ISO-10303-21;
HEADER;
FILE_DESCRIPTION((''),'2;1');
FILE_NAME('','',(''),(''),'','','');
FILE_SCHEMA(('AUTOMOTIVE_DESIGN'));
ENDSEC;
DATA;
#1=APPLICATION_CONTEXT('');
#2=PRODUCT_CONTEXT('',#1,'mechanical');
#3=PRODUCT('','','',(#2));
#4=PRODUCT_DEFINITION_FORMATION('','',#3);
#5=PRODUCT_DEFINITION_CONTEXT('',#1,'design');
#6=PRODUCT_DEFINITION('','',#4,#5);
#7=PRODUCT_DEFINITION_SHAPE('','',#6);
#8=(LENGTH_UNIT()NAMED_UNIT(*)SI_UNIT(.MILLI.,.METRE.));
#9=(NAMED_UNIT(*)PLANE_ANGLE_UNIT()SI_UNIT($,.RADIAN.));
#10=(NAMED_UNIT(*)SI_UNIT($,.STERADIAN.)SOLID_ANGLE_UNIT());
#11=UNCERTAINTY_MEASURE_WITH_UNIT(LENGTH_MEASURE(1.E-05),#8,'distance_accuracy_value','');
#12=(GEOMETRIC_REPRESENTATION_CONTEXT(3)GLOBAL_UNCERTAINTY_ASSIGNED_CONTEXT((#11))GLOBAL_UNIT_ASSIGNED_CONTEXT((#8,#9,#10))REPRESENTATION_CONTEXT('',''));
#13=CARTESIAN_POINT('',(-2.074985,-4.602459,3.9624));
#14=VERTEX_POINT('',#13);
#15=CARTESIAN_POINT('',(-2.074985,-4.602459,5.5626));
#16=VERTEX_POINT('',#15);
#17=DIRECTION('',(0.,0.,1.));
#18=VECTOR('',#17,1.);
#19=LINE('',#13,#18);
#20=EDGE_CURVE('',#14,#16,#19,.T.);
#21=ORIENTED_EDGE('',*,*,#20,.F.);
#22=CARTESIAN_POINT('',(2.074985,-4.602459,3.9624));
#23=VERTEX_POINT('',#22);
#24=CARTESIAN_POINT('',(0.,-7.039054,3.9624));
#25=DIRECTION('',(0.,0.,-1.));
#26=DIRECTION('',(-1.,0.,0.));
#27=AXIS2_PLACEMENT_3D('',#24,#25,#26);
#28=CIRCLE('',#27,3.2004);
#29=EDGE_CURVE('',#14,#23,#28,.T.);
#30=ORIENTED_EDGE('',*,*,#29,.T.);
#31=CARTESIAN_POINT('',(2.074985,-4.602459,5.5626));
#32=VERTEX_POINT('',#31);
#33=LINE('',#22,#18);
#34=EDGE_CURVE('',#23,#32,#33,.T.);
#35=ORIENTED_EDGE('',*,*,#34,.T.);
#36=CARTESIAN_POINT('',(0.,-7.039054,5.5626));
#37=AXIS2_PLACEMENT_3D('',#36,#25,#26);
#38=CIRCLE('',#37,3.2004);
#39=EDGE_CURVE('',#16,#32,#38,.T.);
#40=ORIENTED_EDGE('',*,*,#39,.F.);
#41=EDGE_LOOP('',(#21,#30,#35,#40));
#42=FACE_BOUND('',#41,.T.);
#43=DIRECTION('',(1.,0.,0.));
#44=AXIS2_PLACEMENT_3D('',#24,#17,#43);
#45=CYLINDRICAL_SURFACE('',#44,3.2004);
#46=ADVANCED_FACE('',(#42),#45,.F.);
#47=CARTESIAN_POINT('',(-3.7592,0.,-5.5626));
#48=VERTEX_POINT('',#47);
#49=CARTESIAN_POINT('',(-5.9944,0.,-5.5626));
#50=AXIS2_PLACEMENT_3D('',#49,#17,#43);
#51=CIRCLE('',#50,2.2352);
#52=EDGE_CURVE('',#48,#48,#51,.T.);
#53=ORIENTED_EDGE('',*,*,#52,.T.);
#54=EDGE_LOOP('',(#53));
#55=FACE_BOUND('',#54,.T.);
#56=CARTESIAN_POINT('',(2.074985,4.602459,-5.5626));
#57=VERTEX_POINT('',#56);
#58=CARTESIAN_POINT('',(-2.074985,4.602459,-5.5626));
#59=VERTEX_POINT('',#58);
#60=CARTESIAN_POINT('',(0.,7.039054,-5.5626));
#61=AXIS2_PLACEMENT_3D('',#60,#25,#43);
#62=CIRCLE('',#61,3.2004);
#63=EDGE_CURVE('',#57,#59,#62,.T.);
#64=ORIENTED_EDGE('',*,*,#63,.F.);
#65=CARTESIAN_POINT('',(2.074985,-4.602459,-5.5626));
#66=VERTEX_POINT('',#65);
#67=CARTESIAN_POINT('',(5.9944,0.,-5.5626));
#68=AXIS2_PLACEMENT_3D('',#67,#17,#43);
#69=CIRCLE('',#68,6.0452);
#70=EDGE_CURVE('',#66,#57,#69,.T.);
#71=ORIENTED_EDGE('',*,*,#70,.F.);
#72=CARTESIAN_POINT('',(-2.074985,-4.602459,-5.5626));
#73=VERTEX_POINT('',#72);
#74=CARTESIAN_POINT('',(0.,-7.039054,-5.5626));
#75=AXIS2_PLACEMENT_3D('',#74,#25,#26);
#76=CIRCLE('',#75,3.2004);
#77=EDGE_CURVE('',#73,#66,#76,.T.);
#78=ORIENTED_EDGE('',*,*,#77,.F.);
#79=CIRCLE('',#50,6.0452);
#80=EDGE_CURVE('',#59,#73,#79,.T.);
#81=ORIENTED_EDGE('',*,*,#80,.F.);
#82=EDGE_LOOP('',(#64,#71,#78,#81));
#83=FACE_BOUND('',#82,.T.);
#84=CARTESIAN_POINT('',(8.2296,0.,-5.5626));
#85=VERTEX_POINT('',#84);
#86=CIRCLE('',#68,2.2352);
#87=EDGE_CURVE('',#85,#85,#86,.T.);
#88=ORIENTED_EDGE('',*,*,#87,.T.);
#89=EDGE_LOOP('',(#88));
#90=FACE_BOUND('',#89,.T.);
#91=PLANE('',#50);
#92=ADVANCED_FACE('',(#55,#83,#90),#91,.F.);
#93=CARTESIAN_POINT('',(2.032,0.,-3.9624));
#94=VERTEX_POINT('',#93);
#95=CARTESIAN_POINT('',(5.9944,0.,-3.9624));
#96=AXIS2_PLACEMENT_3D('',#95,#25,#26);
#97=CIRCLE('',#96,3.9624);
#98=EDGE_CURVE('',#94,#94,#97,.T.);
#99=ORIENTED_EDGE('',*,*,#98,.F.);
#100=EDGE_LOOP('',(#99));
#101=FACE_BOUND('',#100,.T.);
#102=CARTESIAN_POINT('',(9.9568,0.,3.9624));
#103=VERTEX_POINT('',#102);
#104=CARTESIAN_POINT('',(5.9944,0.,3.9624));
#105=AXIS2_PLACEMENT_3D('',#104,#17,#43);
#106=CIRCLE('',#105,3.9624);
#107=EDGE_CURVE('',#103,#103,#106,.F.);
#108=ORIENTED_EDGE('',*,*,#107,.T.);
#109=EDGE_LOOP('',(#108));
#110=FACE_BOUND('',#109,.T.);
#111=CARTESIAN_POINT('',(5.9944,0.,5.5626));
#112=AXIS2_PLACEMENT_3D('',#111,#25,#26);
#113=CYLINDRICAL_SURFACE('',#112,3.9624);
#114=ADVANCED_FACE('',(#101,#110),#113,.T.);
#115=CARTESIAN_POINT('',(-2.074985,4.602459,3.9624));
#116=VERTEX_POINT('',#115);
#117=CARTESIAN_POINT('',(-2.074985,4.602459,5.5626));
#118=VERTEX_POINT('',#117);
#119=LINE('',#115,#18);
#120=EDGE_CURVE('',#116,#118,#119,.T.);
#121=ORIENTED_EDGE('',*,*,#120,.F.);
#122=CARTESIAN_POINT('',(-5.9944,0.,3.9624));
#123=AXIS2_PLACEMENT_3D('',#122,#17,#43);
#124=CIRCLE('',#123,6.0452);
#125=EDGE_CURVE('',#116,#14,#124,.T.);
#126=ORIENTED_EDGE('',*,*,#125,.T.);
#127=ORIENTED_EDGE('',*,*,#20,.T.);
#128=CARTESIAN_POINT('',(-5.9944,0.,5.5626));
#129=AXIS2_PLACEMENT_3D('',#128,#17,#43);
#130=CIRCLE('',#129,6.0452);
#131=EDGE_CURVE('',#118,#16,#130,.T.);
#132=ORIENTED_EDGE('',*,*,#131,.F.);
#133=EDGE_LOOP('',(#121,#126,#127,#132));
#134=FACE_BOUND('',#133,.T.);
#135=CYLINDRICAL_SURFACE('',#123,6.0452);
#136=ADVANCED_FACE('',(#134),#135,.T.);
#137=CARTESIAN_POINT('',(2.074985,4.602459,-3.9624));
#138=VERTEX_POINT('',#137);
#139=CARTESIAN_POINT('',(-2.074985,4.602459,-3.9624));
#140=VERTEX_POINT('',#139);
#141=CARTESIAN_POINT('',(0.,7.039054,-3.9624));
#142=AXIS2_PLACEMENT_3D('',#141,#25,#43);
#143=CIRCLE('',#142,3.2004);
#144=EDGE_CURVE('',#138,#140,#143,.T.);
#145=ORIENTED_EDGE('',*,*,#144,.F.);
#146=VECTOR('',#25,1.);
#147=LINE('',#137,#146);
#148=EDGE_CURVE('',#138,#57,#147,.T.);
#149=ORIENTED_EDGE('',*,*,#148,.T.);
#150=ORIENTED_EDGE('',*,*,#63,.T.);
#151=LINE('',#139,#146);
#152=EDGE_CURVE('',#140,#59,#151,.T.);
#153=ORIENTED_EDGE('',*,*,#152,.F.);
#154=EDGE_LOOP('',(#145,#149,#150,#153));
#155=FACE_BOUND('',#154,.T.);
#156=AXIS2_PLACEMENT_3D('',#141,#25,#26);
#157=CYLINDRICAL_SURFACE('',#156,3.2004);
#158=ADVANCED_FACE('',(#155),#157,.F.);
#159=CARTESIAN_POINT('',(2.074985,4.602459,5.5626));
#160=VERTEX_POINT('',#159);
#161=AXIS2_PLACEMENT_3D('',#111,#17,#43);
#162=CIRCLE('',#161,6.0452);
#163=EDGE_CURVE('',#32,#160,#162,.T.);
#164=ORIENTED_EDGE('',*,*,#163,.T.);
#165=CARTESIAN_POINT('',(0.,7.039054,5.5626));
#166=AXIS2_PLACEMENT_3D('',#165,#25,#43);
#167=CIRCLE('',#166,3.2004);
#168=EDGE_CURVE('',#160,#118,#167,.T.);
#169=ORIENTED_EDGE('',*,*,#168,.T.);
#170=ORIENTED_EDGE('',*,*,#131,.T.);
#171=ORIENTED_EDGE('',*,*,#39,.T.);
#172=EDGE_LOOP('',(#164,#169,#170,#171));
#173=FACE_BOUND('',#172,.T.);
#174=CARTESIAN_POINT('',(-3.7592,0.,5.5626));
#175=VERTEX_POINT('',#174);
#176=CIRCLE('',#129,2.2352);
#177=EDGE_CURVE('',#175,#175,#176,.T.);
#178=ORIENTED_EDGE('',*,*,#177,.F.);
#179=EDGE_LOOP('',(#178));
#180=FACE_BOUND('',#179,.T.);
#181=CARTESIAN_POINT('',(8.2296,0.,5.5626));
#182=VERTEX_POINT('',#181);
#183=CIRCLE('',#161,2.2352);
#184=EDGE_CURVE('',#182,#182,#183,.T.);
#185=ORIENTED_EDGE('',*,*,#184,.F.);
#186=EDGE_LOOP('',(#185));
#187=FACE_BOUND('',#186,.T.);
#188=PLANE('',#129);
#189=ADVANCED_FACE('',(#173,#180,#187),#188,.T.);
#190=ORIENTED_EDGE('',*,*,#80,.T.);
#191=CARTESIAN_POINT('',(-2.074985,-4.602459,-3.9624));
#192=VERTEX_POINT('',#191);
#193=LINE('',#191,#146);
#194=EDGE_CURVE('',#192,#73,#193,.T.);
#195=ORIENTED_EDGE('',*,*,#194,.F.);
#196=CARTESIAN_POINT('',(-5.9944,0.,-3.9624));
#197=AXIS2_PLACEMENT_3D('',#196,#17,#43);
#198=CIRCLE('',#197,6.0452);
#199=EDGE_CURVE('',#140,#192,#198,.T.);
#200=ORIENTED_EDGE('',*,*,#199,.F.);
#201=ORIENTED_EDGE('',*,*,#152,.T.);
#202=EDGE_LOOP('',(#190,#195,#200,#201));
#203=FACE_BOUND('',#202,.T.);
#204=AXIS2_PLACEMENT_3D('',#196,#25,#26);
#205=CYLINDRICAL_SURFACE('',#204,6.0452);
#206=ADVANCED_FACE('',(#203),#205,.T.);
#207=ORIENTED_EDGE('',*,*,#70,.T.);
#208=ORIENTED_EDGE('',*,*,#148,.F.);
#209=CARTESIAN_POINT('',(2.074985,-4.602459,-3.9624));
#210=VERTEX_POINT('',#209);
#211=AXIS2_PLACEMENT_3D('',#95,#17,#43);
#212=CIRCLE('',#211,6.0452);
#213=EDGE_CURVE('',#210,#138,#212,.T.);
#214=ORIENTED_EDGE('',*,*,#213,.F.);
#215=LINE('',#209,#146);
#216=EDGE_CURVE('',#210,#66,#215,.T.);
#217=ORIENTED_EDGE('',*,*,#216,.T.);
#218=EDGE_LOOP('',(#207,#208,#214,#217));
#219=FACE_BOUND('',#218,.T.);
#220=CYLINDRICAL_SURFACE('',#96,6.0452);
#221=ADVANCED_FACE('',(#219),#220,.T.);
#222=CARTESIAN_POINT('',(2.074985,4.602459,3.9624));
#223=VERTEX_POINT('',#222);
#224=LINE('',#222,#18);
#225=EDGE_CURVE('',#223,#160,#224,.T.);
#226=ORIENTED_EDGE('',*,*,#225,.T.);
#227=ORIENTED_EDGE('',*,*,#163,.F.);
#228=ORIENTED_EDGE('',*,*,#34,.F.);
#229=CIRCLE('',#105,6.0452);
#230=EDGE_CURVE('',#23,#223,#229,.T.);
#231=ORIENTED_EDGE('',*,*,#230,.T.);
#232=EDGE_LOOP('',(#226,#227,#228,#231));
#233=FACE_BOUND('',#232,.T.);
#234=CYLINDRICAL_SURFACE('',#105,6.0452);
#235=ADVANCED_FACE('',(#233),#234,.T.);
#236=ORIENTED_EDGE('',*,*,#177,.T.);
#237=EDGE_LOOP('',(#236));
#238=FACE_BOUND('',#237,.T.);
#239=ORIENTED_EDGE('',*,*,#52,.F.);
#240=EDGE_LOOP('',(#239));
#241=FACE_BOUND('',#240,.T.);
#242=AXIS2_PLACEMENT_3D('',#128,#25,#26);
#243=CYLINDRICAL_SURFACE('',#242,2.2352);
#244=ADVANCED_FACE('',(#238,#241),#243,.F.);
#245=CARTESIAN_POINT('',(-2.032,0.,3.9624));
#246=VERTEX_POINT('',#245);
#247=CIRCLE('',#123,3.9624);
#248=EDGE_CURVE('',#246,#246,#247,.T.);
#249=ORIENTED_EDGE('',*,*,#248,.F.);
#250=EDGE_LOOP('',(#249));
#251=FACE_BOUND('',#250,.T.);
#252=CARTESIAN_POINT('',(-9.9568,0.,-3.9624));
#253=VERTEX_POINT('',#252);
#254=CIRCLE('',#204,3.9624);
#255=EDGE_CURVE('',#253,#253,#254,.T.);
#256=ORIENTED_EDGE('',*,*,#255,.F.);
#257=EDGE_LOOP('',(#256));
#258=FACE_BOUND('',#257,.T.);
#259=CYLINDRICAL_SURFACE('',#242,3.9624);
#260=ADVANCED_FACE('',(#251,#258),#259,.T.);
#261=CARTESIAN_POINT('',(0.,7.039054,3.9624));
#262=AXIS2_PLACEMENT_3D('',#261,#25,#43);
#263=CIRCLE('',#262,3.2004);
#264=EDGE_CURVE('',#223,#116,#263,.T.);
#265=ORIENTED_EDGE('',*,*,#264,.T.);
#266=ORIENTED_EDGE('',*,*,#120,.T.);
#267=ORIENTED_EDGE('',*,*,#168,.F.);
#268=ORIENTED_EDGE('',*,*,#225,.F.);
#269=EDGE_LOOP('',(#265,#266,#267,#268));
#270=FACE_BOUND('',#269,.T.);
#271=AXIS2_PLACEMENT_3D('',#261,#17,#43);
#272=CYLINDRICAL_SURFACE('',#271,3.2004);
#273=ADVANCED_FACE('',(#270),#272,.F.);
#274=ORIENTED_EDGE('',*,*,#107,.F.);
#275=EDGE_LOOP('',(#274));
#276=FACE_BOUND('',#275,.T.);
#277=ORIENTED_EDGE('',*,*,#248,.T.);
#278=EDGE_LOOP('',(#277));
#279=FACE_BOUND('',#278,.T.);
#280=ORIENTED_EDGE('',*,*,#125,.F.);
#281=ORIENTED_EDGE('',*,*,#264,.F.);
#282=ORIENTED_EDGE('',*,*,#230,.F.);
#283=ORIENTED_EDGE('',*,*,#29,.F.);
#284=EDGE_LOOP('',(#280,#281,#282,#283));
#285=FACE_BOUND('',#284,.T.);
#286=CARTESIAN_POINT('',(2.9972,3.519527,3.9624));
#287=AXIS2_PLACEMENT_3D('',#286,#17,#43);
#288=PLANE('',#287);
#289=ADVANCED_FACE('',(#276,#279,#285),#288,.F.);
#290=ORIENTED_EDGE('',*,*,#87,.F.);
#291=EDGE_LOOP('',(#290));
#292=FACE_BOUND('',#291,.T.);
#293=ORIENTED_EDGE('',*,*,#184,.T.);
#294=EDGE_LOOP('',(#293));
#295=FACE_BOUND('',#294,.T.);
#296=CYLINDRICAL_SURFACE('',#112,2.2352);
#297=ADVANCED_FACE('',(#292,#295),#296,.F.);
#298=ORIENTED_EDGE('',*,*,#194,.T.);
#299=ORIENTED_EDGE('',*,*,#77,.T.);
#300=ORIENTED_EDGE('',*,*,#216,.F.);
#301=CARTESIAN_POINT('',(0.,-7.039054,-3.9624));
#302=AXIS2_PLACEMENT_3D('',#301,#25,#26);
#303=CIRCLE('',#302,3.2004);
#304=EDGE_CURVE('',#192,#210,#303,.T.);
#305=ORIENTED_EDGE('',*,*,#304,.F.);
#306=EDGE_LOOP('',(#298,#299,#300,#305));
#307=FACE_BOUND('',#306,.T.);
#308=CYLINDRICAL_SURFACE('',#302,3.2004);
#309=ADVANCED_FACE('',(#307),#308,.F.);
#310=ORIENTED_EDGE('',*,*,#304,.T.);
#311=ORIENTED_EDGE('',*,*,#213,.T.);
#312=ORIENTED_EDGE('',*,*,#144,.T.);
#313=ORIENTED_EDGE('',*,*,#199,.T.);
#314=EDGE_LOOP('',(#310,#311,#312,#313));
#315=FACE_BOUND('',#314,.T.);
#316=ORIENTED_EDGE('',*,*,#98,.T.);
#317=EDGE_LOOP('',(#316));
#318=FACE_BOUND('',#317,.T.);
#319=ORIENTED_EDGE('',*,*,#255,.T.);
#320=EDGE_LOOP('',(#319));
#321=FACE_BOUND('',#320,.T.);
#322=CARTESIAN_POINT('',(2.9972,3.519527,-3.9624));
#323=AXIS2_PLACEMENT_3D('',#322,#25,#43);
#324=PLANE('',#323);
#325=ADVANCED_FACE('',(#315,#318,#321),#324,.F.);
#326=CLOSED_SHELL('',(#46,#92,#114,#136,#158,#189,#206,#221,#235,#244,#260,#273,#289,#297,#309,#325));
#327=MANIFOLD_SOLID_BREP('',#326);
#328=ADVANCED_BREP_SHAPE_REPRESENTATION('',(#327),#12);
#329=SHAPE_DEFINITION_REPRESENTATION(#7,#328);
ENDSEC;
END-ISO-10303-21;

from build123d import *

# Parameters (mm, degrees)
SKETCH1_R             = 3.9624
SKETCH1_R_2           = 2.2352
BOSS_EXTRUDE1_DEPTH   = 5.5626
BOSS_EXTRUDE1_2_DEPTH = 5.5626
SKETCH2_R             = 3.9624
BOSS_EXTRUDE2_DEPTH   = 1.6002


with BuildPart() as part:
    # Sketch1 → Boss-Extrude1 (new body, symmetric)
    with BuildSketch(Plane.XY):
        with Locations((-5.9944, 0)):
            Circle(SKETCH1_R)
        with Locations((-5.9944, 0)):
            Circle(SKETCH1_R_2, mode=Mode.SUBTRACT)
    extrude(amount=BOSS_EXTRUDE1_DEPTH, both=True)



with BuildPart() as body_2:
    # Sketch1 → Boss-Extrude1 2 (new body, symmetric)
    with BuildSketch(Plane.XY):
        with Locations((5.9944, 0)):
            Circle(SKETCH1_R)
        with Locations((5.9944, 0)):
            Circle(SKETCH1_R_2, mode=Mode.SUBTRACT)
    extrude(amount=BOSS_EXTRUDE1_2_DEPTH, both=True)


with BuildPart() as part_1:
    add(part.part)

    add(body_2.part)  # Boss-Extrude2 merges body 2
    # Sketch2 → Boss-Extrude2 (add)
    with BuildSketch(Plane.XY.offset(5.5626)):
        with BuildLine():
            ThreePointArc((-2.074984615, 4.6024587), (-12.0396, 0), (-2.074984615, -4.6024587))
            ThreePointArc((-2.074984615, -4.6024587), (0, -3.838654482), (2.074984615, -4.6024587))
            ThreePointArc((2.074984615, -4.6024587), (12.0396, 0), (2.074984615, 4.6024587))
            ThreePointArc((2.074984615, 4.6024587), (0, 3.838654482), (-2.074984615, 4.6024587))
        make_face()
        with Locations((5.9944, 0)):
            Circle(SKETCH2_R, mode=Mode.SUBTRACT)
        with Locations((-5.9944, 0)):
            Circle(SKETCH2_R, mode=Mode.SUBTRACT)
    boss_extrude2 = extrude(amount=-BOSS_EXTRUDE2_DEPTH)

    # Mirror1: Boss-Extrude2 across plane
    add(boss_extrude2.mirror(Plane.XY))


solid = part_1.part
